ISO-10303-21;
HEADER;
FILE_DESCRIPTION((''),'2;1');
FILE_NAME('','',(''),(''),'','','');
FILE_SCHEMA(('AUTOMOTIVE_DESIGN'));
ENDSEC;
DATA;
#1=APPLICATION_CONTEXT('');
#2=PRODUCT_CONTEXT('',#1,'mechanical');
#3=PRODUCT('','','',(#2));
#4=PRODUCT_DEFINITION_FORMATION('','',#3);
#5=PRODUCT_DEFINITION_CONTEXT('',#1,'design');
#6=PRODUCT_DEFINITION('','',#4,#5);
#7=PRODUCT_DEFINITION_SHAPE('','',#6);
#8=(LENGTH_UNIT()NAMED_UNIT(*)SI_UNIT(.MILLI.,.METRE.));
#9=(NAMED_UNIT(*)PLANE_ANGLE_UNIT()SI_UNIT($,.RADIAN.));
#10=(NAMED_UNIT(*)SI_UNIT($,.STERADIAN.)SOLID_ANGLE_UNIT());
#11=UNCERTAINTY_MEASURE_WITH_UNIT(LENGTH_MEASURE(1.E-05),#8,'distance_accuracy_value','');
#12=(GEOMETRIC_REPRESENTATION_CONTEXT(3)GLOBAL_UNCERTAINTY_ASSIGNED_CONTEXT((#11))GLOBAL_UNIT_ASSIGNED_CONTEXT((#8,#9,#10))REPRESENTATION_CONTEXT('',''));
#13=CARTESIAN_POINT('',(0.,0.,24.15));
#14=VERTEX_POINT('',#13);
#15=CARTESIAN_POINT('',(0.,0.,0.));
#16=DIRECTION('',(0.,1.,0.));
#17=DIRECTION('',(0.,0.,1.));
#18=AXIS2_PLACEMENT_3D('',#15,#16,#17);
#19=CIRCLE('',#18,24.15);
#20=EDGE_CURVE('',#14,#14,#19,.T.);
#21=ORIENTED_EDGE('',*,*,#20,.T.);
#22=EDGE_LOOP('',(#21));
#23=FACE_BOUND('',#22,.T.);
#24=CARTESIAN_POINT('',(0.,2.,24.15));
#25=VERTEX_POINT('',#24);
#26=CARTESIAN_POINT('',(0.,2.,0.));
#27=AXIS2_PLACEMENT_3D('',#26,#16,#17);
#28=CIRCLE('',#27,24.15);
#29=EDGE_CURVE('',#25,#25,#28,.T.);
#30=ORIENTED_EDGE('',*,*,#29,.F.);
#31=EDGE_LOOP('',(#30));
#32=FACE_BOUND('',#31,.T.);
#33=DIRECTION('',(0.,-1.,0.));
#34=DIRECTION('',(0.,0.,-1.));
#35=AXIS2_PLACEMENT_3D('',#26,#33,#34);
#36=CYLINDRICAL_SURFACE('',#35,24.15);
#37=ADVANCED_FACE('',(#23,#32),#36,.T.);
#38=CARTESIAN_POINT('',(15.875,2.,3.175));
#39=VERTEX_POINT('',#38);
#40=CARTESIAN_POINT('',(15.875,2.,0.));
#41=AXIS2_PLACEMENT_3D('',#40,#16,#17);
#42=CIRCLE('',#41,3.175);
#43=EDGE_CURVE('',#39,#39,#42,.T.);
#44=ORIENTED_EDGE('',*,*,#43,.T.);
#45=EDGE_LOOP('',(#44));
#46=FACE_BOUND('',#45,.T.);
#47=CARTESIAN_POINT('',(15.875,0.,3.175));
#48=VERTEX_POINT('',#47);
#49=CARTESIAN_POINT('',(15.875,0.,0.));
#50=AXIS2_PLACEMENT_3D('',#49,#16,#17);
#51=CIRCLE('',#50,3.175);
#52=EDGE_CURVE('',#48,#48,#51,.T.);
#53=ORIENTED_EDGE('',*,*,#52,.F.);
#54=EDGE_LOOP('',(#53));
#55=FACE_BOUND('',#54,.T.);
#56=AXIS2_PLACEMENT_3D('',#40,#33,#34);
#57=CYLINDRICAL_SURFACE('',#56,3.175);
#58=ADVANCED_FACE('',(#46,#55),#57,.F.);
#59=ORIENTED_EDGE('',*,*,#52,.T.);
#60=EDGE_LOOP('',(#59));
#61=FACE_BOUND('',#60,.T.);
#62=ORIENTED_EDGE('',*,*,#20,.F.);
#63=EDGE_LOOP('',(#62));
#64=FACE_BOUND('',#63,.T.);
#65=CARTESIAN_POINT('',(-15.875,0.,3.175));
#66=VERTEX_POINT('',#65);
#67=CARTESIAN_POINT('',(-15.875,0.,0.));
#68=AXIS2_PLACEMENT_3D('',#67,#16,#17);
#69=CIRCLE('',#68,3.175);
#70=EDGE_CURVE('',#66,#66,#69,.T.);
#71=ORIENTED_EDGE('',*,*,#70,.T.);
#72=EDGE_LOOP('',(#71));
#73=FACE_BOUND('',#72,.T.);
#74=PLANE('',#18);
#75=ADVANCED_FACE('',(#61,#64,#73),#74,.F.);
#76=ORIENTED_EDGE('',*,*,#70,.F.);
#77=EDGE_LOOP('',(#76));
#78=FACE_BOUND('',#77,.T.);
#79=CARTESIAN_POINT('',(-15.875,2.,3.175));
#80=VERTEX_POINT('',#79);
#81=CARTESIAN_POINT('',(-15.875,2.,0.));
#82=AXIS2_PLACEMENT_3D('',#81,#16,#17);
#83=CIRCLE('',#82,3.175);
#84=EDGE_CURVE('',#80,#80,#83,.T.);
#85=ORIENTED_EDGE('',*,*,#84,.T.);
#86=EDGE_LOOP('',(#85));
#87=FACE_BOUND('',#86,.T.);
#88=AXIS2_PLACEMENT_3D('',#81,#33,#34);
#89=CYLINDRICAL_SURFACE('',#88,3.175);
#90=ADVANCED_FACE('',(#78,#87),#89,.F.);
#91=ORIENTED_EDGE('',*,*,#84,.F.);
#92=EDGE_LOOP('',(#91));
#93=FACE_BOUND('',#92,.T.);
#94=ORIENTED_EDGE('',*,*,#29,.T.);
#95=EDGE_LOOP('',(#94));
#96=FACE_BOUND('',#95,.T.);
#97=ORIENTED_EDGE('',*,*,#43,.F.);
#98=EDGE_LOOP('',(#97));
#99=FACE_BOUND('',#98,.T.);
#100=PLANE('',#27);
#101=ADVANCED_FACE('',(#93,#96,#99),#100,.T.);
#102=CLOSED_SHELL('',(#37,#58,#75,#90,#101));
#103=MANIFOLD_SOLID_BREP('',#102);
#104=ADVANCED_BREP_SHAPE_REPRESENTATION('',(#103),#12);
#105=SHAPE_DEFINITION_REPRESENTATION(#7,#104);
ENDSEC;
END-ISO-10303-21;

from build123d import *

# Parameters (mm, degrees)
SKETCH1_R           = 24.15
SKETCH1_R_2         = 3.175
BOSS_EXTRUDE1_DEPTH = 2


with BuildPart() as part:
    # Sketch1 → Boss-Extrude1 (new body)
    with BuildSketch(Plane(origin=(0, 0, 0), x_dir=(1, 0, 0), z_dir=(0, 1, 0))):
        with Locations(Location((0, 0, 0), (0, 0, 270))):
            Circle(SKETCH1_R)
        with Locations(Location((-15.875, 0, 0), (0, 0, 270))):
            Circle(SKETCH1_R_2, mode=Mode.SUBTRACT)
        with Locations(Location((15.875, 0, 0), (0, 0, 270))):
            Circle(SKETCH1_R_2, mode=Mode.SUBTRACT)
    extrude(amount=BOSS_EXTRUDE1_DEPTH)


solid = part.part
